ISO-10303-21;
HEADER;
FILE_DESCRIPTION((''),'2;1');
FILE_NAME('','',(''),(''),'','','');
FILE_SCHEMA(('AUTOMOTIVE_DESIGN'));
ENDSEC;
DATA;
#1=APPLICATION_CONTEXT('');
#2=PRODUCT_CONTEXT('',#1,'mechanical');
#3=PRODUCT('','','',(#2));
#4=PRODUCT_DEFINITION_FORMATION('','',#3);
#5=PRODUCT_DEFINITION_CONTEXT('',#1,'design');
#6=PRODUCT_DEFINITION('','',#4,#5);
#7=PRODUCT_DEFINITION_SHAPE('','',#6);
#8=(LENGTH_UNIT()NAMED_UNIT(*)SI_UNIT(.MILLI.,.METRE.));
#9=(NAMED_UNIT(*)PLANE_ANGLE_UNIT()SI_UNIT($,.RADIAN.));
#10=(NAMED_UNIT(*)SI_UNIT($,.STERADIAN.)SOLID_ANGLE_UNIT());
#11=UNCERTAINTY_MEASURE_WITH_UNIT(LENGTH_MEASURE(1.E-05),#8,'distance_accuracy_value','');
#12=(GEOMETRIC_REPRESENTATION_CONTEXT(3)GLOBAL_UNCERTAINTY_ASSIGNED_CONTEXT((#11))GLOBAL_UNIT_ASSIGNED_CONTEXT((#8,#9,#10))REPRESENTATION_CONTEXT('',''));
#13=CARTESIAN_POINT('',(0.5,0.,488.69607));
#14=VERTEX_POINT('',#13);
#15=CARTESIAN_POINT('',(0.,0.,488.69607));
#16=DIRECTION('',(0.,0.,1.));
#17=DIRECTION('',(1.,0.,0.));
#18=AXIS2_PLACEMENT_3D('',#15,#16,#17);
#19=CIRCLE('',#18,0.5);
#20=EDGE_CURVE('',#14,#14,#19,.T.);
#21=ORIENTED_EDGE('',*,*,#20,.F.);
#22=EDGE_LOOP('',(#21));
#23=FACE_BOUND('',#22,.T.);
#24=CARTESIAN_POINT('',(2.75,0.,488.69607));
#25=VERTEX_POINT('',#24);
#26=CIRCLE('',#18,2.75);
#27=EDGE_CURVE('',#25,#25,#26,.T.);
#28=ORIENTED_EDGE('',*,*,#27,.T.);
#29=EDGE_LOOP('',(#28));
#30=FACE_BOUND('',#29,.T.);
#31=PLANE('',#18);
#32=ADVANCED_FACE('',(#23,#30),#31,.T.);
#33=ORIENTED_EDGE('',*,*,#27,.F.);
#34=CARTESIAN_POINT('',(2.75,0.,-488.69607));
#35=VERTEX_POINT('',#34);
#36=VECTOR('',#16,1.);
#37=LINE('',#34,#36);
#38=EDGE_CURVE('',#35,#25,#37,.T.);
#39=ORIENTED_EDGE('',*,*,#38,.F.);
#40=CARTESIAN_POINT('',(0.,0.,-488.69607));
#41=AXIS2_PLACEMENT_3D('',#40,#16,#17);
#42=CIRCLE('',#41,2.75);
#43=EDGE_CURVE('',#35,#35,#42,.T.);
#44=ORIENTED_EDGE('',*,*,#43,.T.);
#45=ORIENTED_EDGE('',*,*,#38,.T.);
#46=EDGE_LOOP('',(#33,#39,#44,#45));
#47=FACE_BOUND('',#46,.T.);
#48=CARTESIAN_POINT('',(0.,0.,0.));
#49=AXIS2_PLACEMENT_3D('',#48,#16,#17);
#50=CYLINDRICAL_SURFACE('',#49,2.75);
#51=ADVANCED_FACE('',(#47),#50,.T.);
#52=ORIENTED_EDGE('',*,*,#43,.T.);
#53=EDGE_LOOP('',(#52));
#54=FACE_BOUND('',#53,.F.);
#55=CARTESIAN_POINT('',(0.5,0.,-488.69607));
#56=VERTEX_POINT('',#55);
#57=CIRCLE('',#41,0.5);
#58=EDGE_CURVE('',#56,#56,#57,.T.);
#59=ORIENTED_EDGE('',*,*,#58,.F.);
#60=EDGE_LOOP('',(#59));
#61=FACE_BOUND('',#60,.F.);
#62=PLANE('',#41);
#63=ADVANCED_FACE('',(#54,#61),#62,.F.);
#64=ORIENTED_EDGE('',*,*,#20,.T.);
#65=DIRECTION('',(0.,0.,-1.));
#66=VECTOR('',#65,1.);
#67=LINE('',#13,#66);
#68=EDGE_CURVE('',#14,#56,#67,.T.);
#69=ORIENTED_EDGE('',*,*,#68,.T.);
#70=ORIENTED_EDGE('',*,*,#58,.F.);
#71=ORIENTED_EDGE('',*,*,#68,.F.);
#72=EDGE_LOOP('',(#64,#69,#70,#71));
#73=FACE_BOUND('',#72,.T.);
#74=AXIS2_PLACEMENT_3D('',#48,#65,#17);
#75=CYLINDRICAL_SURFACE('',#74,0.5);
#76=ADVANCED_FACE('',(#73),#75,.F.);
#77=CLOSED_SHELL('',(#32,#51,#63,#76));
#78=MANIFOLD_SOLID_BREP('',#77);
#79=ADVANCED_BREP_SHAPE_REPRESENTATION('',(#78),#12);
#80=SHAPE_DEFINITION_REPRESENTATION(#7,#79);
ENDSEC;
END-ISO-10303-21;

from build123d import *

# Parameters (mm, degrees)
SKETCH2_R           = 2.75
SKETCH2_R_2         = 0.5
BOSS_EXTRUDE1_DEPTH = 488.69607


with BuildPart() as part:
    # Sketch2 → Boss-Extrude1 (new, symmetric)
    with BuildSketch(Plane.XY):
        Circle(SKETCH2_R)
        Circle(SKETCH2_R_2, mode=Mode.SUBTRACT)
    extrude(amount=BOSS_EXTRUDE1_DEPTH, both=True)


solid = part.part
